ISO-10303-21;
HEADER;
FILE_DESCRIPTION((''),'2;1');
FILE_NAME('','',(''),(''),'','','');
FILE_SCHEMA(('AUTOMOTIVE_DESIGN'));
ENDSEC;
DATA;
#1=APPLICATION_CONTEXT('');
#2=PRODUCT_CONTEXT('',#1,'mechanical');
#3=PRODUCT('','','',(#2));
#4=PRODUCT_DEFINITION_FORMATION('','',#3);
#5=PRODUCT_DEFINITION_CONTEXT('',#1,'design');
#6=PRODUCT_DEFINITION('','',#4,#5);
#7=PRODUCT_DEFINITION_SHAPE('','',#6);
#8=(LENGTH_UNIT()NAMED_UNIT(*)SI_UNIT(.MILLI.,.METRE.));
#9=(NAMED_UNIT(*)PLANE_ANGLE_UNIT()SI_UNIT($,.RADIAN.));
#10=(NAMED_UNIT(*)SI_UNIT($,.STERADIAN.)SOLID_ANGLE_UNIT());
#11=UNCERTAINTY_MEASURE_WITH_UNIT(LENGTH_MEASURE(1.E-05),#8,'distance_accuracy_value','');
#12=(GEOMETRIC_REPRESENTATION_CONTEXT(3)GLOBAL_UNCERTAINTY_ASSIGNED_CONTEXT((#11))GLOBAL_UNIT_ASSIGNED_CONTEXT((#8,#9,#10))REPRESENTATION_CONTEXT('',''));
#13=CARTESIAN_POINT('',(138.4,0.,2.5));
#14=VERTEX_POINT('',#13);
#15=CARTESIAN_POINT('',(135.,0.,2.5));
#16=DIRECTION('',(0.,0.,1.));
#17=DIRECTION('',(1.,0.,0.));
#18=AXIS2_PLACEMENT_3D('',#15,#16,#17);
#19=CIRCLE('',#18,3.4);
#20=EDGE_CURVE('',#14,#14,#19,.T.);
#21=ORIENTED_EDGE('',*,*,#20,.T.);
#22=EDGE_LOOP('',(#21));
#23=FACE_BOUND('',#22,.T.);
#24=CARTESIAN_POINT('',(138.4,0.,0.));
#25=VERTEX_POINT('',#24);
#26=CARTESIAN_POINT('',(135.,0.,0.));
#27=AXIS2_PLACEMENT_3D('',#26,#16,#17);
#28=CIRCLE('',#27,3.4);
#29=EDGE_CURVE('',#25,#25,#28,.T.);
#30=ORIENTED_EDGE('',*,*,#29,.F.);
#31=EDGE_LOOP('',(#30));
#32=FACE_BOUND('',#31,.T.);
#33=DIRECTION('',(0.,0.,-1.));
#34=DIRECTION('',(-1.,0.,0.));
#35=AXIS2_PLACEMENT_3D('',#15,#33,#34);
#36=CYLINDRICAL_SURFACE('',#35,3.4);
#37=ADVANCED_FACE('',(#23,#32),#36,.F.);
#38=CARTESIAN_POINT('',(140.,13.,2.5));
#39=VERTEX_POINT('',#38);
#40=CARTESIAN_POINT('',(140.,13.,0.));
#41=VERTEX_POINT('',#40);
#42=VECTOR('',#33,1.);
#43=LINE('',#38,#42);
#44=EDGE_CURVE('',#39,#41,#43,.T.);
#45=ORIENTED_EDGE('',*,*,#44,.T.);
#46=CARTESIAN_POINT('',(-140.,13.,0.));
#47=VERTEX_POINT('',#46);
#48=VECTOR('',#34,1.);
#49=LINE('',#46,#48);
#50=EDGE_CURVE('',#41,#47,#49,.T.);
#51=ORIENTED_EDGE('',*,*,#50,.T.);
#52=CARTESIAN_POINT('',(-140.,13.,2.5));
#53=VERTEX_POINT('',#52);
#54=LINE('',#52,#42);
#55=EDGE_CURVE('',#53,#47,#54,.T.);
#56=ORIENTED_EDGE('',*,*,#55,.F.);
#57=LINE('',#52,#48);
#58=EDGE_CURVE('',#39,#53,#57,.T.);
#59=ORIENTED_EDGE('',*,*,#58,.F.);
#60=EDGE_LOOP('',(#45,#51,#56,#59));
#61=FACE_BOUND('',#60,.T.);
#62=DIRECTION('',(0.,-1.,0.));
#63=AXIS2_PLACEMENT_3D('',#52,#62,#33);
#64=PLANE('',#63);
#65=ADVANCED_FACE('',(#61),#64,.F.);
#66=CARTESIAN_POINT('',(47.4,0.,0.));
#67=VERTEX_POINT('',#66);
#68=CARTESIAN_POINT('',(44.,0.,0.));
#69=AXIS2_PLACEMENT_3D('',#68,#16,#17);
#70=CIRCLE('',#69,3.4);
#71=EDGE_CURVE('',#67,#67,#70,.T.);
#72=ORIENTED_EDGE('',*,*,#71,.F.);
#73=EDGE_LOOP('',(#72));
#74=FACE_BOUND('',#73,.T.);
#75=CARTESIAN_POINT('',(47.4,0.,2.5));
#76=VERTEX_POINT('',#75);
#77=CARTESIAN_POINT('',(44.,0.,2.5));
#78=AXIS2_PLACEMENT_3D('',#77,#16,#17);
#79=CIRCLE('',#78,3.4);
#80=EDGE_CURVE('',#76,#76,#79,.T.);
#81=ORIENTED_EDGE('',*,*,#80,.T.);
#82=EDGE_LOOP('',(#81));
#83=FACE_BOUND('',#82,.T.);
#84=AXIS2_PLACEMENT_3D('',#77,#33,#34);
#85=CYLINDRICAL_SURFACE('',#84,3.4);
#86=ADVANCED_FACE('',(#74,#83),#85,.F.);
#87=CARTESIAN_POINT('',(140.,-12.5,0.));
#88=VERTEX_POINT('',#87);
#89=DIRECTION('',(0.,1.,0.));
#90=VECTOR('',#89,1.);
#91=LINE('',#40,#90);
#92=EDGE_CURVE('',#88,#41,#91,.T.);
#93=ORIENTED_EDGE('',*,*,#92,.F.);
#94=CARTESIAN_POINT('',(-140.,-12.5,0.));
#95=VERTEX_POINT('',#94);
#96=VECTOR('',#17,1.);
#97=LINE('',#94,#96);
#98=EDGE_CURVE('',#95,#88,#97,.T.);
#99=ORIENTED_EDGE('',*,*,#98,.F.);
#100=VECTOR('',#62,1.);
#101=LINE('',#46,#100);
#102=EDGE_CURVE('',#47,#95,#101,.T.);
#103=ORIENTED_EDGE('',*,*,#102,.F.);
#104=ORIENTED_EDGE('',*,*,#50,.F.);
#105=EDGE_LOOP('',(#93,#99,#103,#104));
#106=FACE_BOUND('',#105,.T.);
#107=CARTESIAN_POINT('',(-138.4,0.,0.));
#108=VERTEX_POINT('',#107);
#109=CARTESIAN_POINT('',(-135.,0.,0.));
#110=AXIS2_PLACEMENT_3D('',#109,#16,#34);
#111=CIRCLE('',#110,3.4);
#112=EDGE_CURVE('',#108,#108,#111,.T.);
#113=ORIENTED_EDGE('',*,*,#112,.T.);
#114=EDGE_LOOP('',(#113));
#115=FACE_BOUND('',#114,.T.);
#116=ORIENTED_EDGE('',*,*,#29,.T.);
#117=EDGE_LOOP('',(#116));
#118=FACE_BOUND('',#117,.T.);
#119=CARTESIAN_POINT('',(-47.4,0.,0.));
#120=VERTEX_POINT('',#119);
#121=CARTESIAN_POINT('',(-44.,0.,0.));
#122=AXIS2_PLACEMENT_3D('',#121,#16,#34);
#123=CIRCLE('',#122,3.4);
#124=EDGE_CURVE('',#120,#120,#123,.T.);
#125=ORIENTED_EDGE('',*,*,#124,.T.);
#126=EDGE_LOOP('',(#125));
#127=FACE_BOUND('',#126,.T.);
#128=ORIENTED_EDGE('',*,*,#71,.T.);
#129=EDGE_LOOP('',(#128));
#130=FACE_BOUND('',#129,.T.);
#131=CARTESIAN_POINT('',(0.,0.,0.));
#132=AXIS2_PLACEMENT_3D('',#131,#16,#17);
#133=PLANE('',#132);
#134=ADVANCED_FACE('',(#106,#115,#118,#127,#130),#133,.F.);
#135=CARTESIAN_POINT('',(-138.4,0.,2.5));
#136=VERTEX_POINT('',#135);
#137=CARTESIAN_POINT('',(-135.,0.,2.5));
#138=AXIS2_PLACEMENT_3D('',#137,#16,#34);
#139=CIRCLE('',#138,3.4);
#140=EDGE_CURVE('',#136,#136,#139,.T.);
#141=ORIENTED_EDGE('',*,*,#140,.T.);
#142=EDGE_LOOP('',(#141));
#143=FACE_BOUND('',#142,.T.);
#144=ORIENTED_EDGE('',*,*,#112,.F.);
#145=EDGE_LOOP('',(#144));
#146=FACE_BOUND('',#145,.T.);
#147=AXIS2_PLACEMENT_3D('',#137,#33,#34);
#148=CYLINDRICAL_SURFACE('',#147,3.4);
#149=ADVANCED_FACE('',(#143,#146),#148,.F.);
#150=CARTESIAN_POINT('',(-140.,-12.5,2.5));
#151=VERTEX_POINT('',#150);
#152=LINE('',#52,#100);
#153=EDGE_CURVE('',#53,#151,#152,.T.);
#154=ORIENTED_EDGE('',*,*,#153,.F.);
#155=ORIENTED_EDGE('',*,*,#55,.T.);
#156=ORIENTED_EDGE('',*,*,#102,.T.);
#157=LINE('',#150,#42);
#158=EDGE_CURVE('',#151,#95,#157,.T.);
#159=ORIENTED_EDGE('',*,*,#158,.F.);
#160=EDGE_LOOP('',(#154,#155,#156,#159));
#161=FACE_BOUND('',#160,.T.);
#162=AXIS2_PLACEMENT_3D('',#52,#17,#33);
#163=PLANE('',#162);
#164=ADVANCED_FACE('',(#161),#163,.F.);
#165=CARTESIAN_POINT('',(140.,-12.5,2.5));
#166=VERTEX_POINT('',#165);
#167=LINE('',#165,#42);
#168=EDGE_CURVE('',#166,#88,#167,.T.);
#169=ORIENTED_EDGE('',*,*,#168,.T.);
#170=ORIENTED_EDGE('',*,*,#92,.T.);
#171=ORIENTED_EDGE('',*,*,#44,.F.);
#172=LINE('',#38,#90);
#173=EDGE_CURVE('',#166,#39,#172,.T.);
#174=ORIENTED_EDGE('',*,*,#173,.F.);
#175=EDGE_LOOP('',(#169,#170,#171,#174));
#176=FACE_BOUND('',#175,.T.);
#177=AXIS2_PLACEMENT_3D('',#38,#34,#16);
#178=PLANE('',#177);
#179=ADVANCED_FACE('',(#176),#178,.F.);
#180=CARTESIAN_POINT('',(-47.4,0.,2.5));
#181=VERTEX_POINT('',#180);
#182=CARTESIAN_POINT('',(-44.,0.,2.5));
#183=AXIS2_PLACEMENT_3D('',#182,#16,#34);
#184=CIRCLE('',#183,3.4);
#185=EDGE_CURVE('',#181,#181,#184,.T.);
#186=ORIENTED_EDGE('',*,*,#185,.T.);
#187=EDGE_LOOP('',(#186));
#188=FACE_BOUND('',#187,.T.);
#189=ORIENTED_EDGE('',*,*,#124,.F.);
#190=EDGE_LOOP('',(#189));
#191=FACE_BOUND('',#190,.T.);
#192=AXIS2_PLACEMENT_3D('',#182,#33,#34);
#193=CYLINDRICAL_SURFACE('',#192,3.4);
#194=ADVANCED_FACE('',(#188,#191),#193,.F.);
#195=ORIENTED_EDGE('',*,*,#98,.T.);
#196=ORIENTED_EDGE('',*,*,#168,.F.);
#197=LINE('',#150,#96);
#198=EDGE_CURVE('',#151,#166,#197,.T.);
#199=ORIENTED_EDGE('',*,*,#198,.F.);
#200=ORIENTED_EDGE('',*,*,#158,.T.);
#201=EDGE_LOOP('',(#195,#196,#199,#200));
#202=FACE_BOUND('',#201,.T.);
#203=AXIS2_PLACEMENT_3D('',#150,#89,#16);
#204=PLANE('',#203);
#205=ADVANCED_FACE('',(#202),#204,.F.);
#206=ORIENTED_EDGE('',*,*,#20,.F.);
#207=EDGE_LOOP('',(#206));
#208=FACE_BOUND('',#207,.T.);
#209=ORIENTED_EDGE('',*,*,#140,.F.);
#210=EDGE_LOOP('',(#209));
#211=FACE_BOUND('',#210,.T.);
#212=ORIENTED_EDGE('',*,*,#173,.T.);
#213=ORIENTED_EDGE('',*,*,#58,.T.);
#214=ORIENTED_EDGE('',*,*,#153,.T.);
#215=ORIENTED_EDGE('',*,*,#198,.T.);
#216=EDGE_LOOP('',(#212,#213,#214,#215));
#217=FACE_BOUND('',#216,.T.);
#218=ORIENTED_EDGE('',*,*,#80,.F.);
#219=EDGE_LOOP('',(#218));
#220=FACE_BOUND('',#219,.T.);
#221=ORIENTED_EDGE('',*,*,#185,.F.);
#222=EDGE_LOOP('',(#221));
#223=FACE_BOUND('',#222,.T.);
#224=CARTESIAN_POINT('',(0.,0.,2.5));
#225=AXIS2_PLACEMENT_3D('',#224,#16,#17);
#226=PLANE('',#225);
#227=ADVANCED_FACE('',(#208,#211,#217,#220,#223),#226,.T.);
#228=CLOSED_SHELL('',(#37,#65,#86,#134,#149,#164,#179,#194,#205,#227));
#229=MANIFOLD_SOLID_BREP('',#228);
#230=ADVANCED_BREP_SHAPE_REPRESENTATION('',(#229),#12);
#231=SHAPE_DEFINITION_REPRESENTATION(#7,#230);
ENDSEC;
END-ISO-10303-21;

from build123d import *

# Parameters (mm, degrees)
SKETCH1_W           = 280
SKETCH1_H           = 25.5
SKETCH1_R           = 3.4
BOSS_EXTRUDE1_DEPTH = 2.5


with BuildPart() as part:
    # Sketch1 → Boss-Extrude1 (new body)
    with BuildSketch(Plane.XY):
        with Locations((0, 0.25)):
            Rectangle(SKETCH1_W, SKETCH1_H)
        with Locations((135, 0)):
            Circle(SKETCH1_R, mode=Mode.SUBTRACT)
        with Locations((44, 0)):
            Circle(SKETCH1_R, mode=Mode.SUBTRACT)
        with Locations(Location((-135, 0, 0), (0, 0, 180))):
            Circle(SKETCH1_R, mode=Mode.SUBTRACT)
        with Locations(Location((-44, 0, 0), (0, 0, 180))):
            Circle(SKETCH1_R, mode=Mode.SUBTRACT)
    extrude(amount=BOSS_EXTRUDE1_DEPTH)


solid = part.part
